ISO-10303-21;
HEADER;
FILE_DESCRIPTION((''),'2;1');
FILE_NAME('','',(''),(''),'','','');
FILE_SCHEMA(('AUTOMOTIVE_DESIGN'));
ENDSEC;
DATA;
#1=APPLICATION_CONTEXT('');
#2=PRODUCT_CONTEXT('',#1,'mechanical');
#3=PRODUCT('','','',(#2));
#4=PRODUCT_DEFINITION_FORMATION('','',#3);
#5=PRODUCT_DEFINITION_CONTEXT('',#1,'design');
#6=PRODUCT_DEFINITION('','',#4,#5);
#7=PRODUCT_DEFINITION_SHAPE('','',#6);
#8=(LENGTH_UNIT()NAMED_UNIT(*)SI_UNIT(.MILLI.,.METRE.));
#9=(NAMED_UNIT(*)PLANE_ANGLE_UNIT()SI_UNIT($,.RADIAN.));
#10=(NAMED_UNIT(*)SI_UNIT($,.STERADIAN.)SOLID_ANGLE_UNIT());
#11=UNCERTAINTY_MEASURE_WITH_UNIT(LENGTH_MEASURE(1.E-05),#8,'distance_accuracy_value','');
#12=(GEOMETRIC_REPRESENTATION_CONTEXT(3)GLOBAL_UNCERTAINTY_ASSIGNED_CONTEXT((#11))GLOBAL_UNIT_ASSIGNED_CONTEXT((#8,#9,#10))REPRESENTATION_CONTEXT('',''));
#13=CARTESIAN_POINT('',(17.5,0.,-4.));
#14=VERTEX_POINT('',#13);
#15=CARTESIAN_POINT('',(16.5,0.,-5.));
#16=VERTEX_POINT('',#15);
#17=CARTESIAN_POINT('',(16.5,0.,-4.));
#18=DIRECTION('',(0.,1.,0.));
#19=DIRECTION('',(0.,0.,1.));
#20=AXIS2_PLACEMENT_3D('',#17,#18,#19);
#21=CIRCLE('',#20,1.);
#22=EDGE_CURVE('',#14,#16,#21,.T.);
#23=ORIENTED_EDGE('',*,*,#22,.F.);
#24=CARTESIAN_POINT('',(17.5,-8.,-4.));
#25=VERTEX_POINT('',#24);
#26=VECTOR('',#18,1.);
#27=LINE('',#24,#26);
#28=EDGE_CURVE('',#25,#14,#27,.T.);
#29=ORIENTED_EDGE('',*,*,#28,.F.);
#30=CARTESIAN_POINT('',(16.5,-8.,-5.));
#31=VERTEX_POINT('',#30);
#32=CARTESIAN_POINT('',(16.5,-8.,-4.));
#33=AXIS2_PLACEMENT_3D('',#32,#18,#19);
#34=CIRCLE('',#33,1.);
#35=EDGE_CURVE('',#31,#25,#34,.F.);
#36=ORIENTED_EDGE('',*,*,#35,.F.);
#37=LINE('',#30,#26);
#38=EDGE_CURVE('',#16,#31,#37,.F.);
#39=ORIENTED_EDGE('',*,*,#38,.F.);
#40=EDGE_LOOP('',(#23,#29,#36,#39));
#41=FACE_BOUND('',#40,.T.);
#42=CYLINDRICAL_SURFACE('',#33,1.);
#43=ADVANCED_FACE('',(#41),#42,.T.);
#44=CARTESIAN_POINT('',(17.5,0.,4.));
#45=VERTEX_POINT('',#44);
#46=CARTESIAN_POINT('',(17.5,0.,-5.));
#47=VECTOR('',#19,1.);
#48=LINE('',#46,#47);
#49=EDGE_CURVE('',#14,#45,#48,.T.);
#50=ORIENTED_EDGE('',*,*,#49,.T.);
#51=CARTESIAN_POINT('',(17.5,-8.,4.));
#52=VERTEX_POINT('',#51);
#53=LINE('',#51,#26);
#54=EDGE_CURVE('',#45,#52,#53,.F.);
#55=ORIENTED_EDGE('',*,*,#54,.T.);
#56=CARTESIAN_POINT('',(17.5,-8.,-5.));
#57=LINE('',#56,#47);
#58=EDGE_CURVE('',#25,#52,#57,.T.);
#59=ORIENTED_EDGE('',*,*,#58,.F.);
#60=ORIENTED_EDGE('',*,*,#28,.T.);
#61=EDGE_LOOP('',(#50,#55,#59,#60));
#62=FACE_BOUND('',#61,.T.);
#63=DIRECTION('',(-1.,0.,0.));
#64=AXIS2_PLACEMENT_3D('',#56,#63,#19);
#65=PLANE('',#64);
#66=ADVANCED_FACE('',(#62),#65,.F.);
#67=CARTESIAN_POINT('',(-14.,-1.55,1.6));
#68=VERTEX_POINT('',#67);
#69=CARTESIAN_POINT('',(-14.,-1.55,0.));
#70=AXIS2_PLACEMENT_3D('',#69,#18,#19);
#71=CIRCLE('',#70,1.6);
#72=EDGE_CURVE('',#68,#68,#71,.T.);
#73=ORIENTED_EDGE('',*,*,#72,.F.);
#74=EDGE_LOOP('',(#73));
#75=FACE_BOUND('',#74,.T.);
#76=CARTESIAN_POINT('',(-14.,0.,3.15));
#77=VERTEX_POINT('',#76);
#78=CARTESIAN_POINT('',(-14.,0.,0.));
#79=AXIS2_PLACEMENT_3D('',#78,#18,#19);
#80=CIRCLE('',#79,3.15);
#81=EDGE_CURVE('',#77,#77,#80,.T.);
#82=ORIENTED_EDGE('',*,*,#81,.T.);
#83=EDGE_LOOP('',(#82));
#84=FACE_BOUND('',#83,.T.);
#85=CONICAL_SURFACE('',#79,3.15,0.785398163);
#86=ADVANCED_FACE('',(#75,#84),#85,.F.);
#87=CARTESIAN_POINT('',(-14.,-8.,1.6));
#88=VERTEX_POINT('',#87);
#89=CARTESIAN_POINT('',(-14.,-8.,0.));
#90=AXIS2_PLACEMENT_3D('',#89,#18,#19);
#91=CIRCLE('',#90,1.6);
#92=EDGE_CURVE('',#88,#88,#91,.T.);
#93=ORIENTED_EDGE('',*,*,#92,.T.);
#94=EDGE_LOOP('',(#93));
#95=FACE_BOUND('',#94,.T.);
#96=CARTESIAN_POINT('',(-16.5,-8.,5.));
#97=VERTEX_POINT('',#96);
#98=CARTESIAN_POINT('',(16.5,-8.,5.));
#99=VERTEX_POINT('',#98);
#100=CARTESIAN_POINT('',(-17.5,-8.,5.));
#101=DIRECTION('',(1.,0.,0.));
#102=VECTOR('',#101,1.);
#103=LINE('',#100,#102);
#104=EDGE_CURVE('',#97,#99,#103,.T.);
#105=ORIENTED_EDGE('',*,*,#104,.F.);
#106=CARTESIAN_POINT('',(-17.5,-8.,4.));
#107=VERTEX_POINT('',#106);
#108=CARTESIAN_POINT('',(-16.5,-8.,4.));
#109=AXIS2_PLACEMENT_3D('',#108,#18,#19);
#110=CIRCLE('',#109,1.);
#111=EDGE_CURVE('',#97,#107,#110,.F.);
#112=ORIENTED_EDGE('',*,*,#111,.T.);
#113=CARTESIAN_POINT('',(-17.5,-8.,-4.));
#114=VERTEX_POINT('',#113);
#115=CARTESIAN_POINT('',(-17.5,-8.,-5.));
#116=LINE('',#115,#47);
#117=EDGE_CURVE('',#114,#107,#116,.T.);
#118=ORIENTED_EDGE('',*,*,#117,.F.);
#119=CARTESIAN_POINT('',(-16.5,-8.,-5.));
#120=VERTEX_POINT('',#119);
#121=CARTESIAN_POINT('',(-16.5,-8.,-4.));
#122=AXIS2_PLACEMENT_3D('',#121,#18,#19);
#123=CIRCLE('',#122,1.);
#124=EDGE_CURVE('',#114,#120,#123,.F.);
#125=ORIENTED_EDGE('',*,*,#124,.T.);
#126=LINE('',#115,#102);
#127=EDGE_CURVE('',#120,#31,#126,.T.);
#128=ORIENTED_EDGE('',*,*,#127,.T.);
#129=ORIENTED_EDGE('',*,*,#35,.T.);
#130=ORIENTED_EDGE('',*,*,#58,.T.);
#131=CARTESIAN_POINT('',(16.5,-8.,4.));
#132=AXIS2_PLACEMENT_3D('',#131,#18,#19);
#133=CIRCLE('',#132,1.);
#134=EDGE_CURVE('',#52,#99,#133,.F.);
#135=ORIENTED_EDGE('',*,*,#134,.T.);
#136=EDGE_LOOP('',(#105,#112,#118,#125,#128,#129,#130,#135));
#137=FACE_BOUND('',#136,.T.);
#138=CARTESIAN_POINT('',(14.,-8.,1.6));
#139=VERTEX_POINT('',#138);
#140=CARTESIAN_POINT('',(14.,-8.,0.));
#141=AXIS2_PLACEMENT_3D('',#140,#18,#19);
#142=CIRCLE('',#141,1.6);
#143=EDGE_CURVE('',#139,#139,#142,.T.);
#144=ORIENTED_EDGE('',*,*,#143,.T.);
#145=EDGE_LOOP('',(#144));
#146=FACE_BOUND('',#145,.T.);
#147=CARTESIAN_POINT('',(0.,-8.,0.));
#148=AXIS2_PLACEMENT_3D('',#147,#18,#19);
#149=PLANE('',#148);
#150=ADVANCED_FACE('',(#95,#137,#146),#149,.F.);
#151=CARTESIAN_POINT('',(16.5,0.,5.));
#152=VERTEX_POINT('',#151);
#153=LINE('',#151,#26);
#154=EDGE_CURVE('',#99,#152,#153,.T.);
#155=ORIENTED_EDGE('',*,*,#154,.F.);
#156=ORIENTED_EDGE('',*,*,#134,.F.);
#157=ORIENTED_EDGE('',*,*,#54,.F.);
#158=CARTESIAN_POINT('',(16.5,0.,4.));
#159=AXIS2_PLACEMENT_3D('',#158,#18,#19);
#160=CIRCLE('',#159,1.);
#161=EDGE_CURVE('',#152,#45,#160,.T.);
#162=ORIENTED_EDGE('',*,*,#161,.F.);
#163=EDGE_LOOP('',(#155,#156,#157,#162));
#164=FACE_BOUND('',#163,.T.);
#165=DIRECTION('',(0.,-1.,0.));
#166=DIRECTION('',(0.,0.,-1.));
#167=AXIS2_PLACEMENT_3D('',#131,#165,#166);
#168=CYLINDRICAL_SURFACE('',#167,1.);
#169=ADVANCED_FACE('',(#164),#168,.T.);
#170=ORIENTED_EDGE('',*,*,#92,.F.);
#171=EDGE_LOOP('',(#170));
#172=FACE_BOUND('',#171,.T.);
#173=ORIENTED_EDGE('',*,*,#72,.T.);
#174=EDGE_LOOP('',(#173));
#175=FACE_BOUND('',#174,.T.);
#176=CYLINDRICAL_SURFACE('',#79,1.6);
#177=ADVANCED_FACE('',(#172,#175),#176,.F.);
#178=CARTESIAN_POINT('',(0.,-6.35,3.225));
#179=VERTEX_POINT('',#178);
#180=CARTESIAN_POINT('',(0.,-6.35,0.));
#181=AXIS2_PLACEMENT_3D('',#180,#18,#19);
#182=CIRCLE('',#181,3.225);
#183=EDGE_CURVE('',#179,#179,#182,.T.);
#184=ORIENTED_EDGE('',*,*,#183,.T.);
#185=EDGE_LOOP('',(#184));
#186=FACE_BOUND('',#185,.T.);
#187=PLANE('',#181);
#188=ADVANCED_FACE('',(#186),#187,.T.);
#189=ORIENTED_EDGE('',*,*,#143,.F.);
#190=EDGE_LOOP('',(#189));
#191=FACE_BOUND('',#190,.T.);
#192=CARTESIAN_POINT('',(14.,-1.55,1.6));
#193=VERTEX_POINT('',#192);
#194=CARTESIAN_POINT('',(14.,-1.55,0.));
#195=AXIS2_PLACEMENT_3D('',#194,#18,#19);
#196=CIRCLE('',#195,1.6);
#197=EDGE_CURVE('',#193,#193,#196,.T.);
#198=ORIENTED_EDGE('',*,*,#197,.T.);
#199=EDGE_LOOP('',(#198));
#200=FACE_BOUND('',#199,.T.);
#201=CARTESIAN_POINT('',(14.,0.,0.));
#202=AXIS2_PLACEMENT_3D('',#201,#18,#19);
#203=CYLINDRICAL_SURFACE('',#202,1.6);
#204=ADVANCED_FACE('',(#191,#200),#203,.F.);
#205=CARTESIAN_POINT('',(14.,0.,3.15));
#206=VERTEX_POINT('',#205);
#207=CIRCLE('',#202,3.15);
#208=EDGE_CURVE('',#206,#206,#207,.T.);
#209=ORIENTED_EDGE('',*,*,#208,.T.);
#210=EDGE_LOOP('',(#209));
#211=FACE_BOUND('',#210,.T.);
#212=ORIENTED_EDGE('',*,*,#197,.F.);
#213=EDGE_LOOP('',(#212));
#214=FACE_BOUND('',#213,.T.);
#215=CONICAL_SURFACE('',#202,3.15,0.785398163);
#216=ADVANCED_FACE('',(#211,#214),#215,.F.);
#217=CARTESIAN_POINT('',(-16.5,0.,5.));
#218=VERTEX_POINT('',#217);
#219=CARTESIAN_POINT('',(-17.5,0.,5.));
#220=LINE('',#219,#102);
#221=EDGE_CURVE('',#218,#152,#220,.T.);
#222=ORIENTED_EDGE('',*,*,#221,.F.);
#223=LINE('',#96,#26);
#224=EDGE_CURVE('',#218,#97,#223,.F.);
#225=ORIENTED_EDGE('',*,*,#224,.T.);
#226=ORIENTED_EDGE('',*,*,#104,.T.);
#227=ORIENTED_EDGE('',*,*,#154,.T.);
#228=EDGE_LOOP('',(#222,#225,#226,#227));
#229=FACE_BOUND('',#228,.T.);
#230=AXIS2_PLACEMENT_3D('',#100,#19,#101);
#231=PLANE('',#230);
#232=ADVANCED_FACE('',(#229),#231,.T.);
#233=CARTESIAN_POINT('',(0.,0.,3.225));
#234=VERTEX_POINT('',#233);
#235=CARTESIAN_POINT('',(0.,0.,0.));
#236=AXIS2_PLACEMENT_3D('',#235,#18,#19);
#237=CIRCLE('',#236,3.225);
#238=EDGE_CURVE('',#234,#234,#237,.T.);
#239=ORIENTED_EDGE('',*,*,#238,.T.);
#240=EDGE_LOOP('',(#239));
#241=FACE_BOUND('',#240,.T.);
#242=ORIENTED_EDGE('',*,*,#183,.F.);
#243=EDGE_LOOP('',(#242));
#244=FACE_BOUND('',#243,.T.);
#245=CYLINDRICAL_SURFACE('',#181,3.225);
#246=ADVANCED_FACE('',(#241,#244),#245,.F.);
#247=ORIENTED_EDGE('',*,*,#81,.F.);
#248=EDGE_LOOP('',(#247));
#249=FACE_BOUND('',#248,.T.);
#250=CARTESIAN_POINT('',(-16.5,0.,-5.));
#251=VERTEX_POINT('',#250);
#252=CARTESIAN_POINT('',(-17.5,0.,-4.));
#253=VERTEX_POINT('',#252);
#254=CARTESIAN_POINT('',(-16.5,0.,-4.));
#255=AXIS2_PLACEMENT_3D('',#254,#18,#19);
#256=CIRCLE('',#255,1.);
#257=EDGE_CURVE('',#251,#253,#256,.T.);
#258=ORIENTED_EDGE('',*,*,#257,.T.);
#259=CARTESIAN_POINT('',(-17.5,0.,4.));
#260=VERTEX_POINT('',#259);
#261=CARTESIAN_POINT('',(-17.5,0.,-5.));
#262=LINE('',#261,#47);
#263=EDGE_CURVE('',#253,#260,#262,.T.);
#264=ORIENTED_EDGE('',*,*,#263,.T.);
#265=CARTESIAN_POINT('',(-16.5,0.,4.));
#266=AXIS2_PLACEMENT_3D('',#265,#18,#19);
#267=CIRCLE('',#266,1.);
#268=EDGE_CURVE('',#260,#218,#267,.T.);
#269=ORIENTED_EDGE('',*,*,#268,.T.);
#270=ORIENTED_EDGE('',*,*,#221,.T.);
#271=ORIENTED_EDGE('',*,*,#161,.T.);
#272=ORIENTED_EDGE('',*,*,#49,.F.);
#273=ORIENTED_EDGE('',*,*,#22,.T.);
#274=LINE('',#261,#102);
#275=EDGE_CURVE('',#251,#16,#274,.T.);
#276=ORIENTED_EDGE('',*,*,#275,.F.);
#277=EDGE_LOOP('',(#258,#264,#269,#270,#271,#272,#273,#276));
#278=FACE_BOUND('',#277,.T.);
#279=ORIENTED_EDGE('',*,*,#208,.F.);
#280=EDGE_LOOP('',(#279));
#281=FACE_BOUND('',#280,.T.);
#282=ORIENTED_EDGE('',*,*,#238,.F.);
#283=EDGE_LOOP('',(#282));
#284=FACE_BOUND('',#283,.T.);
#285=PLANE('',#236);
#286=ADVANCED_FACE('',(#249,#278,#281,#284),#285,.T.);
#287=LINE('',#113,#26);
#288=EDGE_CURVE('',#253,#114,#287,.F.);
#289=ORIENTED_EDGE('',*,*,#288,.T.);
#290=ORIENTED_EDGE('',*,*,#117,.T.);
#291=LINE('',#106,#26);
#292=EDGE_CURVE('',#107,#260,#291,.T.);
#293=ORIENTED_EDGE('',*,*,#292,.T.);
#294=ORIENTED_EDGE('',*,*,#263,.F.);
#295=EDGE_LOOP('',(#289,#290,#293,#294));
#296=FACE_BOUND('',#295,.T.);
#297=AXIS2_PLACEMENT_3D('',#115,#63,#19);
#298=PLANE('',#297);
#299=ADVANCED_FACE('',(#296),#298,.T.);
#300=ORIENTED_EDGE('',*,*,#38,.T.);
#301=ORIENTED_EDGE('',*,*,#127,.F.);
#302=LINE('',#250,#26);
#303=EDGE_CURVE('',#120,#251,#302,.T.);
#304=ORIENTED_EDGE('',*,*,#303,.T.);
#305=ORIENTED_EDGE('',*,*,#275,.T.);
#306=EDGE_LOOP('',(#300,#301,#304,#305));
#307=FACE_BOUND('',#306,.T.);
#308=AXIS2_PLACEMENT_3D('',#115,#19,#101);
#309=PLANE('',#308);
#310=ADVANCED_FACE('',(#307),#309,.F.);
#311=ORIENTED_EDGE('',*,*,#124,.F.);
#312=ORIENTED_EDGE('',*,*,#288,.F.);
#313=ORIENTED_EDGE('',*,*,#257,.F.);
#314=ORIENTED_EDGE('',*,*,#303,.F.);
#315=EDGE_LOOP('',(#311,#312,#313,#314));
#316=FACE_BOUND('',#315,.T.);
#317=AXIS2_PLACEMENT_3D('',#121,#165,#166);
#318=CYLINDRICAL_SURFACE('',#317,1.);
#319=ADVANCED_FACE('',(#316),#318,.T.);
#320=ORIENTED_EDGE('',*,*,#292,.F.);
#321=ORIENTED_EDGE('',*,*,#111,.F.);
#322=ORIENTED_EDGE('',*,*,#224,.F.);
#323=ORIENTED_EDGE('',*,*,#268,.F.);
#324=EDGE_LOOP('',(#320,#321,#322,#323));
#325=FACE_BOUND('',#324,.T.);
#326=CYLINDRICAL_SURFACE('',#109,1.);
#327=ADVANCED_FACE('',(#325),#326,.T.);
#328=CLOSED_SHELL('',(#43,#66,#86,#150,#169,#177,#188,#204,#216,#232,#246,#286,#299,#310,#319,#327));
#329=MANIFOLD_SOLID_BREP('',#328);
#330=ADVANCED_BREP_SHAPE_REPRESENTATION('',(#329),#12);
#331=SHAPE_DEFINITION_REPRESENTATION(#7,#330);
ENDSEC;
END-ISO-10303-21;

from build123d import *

# Parameters (mm, degrees)
SKETCH1_W                                       = 35
SKETCH1_H                                       = 10
BOSS_EXTRUDE1_DEPTH                             = 8
CSK_FOR_M3_FLAT_HEAD_MACHINE_SCREW1_D           = 3.2
CSK_FOR_M3_FLAT_HEAD_MACHINE_SCREW1_CSINK_D     = 6.3
CSK_FOR_M3_FLAT_HEAD_MACHINE_SCREW1_CSINK_ANGLE = 90
SKETCH1_3_R                                     = 3.225
CUT_EXTRUDE2_DEPTH                              = 6.35
FILLET1_R                                       = 1


with BuildPart() as part:
    # Sketch1 → Boss-Extrude1 (new body)
    with BuildSketch(Plane(origin=(0, 0, 0), x_dir=(1, 0, 0), z_dir=(0, 1, 0))):
        Rectangle(SKETCH1_W, SKETCH1_H)
    extrude(amount=-BOSS_EXTRUDE1_DEPTH)

    # CSK for M3 Flat Head Machine Screw1 (through all)
    with Locations(Plane(origin=(-14, 0, 0), x_dir=(0, 0, 1), z_dir=(0, 1, 0))):
        with Locations((0, 0), (0, 28)):
            CounterSinkHole(CSK_FOR_M3_FLAT_HEAD_MACHINE_SCREW1_D / 2, CSK_FOR_M3_FLAT_HEAD_MACHINE_SCREW1_CSINK_D / 2, counter_sink_angle=CSK_FOR_M3_FLAT_HEAD_MACHINE_SCREW1_CSINK_ANGLE)

    # Sketch1<3> → Cut-Extrude2 (cut)
    with BuildSketch(Plane(origin=(0, 0, 0), x_dir=(1, 0, 0), z_dir=(0, 1, 0))):
        Circle(SKETCH1_3_R)
    extrude(amount=-CUT_EXTRUDE2_DEPTH, mode=Mode.SUBTRACT)

    # Fillet1
    fillet1_edges = [part.edges().sort_by_distance(p)[0] for p in [
        (17.5, -4, -5),
        (17.5, -4, 5),
        (-17.5, -4, -5),
        (-17.5, -4, 5),
    ]]
    fillet(fillet1_edges, radius=FILLET1_R)


solid = part.part
